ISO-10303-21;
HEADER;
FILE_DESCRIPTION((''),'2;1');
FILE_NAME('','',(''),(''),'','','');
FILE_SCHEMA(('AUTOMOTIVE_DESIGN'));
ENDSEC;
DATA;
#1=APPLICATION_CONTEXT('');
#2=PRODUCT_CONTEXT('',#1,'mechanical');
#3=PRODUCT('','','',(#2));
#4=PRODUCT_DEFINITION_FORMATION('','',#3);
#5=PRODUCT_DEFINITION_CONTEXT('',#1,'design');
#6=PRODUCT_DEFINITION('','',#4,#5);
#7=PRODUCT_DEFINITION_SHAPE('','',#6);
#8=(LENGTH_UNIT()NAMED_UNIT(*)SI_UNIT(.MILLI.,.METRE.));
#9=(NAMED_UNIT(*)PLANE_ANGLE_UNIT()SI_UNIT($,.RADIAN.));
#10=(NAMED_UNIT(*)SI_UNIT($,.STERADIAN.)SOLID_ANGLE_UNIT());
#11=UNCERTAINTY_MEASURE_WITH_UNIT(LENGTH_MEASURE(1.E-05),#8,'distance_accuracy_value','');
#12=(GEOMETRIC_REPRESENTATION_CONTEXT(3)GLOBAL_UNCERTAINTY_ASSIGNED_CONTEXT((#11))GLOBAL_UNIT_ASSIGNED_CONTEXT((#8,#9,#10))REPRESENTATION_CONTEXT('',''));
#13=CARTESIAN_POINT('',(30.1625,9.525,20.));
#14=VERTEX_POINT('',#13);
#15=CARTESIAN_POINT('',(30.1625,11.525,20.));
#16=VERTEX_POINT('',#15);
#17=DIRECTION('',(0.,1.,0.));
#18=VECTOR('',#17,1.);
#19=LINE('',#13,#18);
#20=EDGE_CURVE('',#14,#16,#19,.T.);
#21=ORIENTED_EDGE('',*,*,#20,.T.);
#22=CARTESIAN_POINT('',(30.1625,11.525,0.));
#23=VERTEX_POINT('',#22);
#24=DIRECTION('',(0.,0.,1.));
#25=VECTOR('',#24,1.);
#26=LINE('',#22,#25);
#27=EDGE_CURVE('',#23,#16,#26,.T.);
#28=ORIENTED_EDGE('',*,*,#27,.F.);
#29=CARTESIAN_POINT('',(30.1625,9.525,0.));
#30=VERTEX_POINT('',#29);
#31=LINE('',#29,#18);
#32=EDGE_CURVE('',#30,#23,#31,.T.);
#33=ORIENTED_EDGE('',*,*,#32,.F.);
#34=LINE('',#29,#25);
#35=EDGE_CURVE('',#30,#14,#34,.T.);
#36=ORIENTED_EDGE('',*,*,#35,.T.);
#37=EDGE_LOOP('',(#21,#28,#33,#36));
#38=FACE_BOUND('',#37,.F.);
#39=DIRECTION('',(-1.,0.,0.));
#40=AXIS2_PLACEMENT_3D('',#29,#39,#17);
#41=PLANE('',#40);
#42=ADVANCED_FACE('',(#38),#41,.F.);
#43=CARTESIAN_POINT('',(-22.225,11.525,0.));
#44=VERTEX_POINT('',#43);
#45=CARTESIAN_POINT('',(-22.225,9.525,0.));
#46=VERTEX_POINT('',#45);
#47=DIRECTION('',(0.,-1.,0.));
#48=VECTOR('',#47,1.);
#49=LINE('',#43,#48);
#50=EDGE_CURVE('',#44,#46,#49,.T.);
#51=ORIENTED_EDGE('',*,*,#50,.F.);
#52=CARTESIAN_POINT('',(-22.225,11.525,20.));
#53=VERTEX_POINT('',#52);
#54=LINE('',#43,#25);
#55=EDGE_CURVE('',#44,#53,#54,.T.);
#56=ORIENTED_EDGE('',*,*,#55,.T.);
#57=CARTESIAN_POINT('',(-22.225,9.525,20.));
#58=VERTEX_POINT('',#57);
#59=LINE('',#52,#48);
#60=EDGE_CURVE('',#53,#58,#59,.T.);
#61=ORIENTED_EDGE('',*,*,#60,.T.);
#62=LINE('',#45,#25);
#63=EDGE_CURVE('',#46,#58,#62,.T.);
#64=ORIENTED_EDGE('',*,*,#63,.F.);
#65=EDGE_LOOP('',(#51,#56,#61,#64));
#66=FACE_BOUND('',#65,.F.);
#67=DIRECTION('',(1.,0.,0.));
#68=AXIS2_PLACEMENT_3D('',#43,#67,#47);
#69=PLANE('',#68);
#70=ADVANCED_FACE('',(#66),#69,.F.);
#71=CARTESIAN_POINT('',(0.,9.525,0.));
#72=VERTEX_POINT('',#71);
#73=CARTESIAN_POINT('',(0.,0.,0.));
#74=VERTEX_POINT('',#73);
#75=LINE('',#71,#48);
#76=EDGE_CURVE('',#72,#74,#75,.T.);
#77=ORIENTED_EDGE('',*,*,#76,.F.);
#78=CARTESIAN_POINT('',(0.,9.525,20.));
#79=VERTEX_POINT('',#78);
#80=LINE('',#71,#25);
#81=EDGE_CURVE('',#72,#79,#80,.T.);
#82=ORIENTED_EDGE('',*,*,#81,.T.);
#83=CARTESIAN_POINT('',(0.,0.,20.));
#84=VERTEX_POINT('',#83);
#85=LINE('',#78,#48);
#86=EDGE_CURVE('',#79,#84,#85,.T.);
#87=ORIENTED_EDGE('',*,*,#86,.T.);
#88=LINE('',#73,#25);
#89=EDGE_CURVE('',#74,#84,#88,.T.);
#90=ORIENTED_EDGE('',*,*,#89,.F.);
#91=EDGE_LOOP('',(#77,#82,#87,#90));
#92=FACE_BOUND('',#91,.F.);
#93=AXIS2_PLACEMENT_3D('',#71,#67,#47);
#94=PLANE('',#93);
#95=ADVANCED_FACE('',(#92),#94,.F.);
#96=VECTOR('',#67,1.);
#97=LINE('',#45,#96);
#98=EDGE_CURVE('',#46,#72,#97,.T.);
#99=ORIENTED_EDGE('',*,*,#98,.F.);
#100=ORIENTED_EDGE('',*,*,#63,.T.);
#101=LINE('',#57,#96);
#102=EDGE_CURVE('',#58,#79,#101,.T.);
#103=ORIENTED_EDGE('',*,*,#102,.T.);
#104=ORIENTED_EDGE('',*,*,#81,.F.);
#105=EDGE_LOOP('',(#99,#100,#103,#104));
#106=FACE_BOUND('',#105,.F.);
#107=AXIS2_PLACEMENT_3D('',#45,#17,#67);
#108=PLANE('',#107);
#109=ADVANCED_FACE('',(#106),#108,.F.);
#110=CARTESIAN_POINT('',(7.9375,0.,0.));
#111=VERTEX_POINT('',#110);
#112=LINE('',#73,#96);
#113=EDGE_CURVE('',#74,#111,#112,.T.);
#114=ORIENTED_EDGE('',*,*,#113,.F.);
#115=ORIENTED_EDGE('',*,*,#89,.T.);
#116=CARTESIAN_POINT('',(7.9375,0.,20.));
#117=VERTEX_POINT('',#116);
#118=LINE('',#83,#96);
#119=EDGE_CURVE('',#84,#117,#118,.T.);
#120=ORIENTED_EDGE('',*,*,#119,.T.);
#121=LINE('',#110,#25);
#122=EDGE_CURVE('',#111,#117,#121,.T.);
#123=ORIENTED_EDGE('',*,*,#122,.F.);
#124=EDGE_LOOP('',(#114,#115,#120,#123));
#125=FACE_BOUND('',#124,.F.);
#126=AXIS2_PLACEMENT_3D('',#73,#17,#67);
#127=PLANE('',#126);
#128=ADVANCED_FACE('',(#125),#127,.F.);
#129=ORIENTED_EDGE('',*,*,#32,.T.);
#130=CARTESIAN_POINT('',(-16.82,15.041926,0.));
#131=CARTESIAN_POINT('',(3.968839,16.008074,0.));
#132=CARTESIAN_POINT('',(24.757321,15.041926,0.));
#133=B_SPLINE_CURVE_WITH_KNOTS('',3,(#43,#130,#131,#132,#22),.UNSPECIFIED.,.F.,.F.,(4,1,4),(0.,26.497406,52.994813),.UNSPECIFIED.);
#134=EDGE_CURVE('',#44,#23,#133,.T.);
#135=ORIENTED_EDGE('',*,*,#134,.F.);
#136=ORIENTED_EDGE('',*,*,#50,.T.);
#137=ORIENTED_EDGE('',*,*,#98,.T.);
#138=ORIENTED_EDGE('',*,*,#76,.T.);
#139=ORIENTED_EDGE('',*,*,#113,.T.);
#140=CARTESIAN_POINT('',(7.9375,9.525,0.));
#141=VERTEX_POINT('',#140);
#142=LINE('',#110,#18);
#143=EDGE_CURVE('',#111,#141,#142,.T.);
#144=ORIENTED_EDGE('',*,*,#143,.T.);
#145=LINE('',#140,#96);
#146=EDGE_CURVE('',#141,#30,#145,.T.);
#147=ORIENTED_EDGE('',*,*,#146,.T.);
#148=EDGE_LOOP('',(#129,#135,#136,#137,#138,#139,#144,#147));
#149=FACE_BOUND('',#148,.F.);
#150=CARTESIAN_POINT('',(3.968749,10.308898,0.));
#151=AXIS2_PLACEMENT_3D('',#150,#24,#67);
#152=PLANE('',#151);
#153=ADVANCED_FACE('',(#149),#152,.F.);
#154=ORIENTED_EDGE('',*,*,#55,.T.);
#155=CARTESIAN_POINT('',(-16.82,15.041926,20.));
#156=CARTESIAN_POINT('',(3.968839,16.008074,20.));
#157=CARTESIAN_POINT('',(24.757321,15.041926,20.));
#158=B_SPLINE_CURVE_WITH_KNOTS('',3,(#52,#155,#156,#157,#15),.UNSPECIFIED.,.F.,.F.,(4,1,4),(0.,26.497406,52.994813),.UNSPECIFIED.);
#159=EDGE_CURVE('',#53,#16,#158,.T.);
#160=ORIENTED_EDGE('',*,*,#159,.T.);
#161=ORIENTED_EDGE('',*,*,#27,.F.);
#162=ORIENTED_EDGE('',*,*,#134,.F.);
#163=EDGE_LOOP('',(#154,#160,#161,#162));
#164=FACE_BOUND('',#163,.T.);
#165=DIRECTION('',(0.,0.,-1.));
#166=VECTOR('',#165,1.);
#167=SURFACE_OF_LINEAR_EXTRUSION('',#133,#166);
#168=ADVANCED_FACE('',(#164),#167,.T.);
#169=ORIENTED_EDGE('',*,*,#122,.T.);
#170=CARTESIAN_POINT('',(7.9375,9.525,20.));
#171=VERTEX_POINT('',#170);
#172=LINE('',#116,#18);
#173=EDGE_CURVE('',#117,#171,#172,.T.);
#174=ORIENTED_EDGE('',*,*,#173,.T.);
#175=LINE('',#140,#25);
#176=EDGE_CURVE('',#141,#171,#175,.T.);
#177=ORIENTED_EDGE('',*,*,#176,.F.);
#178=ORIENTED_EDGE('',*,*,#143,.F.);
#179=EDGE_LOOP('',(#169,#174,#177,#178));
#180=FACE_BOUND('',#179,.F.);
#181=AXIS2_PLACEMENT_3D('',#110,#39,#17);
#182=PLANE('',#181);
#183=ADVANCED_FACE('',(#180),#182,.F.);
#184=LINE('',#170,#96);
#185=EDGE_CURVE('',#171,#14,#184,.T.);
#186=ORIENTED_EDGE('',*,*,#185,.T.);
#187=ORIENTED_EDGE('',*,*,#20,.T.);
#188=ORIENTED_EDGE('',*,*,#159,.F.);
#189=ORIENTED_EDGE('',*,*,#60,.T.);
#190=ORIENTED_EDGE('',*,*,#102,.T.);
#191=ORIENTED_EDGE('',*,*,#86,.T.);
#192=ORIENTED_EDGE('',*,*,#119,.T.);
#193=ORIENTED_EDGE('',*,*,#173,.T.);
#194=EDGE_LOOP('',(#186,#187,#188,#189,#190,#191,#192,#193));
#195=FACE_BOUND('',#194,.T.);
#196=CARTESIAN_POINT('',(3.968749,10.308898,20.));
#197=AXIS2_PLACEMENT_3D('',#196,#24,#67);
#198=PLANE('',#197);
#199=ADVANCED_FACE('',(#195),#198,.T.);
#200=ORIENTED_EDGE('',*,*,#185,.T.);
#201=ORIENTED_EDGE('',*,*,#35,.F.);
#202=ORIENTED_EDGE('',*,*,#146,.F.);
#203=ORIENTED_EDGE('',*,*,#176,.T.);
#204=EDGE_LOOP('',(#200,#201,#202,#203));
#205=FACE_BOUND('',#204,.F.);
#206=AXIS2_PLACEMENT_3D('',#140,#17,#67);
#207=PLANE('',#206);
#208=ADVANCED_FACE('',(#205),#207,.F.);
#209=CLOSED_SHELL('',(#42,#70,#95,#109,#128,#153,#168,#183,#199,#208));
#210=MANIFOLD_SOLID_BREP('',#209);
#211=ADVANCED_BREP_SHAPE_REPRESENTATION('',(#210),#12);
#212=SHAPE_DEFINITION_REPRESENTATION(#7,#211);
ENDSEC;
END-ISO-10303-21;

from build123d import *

# Parameters (mm, degrees)
F1_DEPTH = 20


with BuildPart() as f1:
    # F0 (on Top) → F1 (new body)
    with BuildSketch(Plane.XY):
        with BuildLine():
            Line((0, 9.525), (0, 0))
            Line((0, 0), (7.9375, 0))
            Line((7.9375, 0), (7.9375, 9.525))
            Line((7.9375, 9.525), (30.1625, 9.525))
            Line((30.1625, 9.525), (30.1625, 11.525))
            add(Edge.make_bspline(
                [(-22.225, 11.525), (-16.82, 15.041926), (3.968839, 16.008074), (24.757321, 15.041926), (30.1625, 11.525)],
                knots=[0, 0, 0, 0, 26.497406, 52.994813, 52.994813, 52.994813, 52.994813], degree=3))
            Line((-22.225, 11.525), (-22.225, 9.525))
            Line((-22.225, 9.525), (0, 9.525))
        make_face()
    extrude(amount=F1_DEPTH)


solid = f1.part
